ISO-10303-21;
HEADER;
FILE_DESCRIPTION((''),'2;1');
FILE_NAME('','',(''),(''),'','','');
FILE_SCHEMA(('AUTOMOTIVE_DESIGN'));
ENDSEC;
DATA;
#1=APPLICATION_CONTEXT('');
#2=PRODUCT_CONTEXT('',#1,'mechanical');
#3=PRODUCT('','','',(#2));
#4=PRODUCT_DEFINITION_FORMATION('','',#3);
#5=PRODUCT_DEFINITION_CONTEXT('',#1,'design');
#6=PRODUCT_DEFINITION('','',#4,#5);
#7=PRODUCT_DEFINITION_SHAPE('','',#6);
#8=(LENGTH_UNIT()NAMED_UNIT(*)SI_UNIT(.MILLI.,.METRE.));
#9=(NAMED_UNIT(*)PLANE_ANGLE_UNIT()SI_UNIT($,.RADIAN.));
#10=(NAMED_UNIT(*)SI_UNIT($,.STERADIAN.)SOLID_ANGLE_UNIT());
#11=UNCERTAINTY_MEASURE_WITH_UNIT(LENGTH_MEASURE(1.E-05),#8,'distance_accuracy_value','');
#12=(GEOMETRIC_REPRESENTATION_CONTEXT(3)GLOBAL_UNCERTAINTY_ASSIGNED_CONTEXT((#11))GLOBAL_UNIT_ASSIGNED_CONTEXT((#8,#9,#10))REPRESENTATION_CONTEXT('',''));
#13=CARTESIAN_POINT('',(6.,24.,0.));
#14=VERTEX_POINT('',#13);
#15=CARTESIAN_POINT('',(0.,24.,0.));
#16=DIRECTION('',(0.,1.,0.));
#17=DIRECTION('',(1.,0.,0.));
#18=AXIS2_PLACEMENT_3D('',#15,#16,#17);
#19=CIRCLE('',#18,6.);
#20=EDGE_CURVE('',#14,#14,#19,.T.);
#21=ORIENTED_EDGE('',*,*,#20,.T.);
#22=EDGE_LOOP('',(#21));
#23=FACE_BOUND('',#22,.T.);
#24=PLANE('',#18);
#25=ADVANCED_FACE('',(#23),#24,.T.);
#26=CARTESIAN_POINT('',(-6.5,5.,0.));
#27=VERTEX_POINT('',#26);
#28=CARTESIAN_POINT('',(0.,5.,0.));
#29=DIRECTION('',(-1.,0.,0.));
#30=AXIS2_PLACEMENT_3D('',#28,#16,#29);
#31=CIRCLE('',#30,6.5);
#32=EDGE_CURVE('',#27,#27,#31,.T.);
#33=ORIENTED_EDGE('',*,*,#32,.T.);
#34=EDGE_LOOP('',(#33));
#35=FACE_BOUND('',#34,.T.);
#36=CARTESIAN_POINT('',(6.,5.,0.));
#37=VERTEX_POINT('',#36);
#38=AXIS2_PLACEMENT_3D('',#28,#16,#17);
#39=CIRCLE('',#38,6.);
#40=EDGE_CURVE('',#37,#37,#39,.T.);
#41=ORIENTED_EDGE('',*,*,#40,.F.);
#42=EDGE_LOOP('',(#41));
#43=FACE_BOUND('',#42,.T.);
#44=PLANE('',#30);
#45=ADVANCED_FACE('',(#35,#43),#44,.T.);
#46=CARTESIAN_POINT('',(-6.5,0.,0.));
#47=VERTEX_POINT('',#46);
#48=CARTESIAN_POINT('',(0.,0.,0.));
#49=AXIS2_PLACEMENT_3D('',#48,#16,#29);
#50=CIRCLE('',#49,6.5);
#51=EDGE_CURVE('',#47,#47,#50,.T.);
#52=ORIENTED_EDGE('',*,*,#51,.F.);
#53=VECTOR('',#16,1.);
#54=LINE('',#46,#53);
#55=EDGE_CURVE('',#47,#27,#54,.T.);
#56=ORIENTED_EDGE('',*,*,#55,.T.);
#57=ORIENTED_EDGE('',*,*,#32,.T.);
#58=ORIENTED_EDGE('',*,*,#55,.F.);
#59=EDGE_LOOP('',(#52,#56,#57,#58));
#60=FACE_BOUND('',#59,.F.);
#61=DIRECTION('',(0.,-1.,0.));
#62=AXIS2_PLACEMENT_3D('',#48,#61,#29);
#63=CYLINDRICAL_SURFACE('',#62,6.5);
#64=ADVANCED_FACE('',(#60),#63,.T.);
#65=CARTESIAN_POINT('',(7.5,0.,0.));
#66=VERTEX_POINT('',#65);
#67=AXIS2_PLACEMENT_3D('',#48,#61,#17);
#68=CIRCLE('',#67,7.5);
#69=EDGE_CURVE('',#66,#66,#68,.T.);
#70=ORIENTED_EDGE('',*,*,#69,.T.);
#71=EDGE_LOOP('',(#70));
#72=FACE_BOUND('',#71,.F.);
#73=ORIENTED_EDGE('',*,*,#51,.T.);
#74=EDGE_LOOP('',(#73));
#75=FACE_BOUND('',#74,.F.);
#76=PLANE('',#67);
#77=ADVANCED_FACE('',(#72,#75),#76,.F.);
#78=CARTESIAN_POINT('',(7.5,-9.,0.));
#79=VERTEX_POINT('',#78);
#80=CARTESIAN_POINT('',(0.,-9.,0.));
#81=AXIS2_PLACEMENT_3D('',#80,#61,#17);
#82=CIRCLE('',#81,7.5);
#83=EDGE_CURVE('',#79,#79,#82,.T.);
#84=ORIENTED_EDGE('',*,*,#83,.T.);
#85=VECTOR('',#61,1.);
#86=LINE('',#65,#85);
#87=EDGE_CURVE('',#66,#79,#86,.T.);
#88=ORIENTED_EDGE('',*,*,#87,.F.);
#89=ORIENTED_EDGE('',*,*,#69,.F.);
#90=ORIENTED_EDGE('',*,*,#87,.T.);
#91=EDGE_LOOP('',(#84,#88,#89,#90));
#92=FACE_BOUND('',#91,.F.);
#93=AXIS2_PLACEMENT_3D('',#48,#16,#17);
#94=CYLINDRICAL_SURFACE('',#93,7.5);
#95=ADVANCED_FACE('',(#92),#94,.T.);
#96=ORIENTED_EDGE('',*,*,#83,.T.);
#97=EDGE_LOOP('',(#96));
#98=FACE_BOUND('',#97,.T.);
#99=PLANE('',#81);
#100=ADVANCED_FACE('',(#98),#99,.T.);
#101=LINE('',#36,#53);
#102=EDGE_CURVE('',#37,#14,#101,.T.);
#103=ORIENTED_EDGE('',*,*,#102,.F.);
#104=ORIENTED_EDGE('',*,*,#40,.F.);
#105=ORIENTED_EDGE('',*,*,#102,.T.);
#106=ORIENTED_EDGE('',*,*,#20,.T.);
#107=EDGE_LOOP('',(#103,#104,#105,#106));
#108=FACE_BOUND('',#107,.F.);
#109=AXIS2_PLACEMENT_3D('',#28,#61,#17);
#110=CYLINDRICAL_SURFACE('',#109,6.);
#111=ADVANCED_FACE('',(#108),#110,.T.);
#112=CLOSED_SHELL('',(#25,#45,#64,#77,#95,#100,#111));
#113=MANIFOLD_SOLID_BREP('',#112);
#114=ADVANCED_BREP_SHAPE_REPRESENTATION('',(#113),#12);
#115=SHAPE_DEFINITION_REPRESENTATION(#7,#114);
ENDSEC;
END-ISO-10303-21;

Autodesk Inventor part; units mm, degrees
ref_plane "YZ Plane" through (0, 0, 0) normal (1, 0, 0) x (0, 1, 0)
ref_plane "XZ Plane" through (0, 0, 0) normal (0, 1, 0) x (-1, 0, 0)
sketch "Sketch1" plane through (0, 0, 0) normal (0, 1, 0) x (-1, 0, 0)
  circle A0 centre (0, 0) radius 6.5
  dimension "d0" = 13
extrude "Extrusion1" add sketch "Sketch1" along normal blind 5
sketch "Sketch2" plane through (0, 0, 0) normal (0, -1, 0) x (1, 0, 0)
  circle A0 centre (0, 0) radius 7.5
  dimension "d3" = 15
extrude "Extrusion2" add sketch "Sketch2" along normal blind 9
sketch "Sketch3" plane through (0, 5, 0) normal (0, 1, 0) x (1, 0, 0)
  circle A0 centre (0, 0) radius 6
  dimension "d6" = 12
extrude "Extrusion3" add sketch "Sketch3" along normal blind 19
ref_plane "Work Plane1" through (0, 12.5, 0) normal (0, 1, 0) x (1, 0, 0)
sketch "Sketch4" plane through (0, 12.5, 0) normal (0, 1, 0) x (1, 0, 0)
  circle A0 centre (0, 0) radius 6 projected
  circle A1 centre (0, 0) radius 6 projected
properties part number "plunger" material "ABS Plastic"
